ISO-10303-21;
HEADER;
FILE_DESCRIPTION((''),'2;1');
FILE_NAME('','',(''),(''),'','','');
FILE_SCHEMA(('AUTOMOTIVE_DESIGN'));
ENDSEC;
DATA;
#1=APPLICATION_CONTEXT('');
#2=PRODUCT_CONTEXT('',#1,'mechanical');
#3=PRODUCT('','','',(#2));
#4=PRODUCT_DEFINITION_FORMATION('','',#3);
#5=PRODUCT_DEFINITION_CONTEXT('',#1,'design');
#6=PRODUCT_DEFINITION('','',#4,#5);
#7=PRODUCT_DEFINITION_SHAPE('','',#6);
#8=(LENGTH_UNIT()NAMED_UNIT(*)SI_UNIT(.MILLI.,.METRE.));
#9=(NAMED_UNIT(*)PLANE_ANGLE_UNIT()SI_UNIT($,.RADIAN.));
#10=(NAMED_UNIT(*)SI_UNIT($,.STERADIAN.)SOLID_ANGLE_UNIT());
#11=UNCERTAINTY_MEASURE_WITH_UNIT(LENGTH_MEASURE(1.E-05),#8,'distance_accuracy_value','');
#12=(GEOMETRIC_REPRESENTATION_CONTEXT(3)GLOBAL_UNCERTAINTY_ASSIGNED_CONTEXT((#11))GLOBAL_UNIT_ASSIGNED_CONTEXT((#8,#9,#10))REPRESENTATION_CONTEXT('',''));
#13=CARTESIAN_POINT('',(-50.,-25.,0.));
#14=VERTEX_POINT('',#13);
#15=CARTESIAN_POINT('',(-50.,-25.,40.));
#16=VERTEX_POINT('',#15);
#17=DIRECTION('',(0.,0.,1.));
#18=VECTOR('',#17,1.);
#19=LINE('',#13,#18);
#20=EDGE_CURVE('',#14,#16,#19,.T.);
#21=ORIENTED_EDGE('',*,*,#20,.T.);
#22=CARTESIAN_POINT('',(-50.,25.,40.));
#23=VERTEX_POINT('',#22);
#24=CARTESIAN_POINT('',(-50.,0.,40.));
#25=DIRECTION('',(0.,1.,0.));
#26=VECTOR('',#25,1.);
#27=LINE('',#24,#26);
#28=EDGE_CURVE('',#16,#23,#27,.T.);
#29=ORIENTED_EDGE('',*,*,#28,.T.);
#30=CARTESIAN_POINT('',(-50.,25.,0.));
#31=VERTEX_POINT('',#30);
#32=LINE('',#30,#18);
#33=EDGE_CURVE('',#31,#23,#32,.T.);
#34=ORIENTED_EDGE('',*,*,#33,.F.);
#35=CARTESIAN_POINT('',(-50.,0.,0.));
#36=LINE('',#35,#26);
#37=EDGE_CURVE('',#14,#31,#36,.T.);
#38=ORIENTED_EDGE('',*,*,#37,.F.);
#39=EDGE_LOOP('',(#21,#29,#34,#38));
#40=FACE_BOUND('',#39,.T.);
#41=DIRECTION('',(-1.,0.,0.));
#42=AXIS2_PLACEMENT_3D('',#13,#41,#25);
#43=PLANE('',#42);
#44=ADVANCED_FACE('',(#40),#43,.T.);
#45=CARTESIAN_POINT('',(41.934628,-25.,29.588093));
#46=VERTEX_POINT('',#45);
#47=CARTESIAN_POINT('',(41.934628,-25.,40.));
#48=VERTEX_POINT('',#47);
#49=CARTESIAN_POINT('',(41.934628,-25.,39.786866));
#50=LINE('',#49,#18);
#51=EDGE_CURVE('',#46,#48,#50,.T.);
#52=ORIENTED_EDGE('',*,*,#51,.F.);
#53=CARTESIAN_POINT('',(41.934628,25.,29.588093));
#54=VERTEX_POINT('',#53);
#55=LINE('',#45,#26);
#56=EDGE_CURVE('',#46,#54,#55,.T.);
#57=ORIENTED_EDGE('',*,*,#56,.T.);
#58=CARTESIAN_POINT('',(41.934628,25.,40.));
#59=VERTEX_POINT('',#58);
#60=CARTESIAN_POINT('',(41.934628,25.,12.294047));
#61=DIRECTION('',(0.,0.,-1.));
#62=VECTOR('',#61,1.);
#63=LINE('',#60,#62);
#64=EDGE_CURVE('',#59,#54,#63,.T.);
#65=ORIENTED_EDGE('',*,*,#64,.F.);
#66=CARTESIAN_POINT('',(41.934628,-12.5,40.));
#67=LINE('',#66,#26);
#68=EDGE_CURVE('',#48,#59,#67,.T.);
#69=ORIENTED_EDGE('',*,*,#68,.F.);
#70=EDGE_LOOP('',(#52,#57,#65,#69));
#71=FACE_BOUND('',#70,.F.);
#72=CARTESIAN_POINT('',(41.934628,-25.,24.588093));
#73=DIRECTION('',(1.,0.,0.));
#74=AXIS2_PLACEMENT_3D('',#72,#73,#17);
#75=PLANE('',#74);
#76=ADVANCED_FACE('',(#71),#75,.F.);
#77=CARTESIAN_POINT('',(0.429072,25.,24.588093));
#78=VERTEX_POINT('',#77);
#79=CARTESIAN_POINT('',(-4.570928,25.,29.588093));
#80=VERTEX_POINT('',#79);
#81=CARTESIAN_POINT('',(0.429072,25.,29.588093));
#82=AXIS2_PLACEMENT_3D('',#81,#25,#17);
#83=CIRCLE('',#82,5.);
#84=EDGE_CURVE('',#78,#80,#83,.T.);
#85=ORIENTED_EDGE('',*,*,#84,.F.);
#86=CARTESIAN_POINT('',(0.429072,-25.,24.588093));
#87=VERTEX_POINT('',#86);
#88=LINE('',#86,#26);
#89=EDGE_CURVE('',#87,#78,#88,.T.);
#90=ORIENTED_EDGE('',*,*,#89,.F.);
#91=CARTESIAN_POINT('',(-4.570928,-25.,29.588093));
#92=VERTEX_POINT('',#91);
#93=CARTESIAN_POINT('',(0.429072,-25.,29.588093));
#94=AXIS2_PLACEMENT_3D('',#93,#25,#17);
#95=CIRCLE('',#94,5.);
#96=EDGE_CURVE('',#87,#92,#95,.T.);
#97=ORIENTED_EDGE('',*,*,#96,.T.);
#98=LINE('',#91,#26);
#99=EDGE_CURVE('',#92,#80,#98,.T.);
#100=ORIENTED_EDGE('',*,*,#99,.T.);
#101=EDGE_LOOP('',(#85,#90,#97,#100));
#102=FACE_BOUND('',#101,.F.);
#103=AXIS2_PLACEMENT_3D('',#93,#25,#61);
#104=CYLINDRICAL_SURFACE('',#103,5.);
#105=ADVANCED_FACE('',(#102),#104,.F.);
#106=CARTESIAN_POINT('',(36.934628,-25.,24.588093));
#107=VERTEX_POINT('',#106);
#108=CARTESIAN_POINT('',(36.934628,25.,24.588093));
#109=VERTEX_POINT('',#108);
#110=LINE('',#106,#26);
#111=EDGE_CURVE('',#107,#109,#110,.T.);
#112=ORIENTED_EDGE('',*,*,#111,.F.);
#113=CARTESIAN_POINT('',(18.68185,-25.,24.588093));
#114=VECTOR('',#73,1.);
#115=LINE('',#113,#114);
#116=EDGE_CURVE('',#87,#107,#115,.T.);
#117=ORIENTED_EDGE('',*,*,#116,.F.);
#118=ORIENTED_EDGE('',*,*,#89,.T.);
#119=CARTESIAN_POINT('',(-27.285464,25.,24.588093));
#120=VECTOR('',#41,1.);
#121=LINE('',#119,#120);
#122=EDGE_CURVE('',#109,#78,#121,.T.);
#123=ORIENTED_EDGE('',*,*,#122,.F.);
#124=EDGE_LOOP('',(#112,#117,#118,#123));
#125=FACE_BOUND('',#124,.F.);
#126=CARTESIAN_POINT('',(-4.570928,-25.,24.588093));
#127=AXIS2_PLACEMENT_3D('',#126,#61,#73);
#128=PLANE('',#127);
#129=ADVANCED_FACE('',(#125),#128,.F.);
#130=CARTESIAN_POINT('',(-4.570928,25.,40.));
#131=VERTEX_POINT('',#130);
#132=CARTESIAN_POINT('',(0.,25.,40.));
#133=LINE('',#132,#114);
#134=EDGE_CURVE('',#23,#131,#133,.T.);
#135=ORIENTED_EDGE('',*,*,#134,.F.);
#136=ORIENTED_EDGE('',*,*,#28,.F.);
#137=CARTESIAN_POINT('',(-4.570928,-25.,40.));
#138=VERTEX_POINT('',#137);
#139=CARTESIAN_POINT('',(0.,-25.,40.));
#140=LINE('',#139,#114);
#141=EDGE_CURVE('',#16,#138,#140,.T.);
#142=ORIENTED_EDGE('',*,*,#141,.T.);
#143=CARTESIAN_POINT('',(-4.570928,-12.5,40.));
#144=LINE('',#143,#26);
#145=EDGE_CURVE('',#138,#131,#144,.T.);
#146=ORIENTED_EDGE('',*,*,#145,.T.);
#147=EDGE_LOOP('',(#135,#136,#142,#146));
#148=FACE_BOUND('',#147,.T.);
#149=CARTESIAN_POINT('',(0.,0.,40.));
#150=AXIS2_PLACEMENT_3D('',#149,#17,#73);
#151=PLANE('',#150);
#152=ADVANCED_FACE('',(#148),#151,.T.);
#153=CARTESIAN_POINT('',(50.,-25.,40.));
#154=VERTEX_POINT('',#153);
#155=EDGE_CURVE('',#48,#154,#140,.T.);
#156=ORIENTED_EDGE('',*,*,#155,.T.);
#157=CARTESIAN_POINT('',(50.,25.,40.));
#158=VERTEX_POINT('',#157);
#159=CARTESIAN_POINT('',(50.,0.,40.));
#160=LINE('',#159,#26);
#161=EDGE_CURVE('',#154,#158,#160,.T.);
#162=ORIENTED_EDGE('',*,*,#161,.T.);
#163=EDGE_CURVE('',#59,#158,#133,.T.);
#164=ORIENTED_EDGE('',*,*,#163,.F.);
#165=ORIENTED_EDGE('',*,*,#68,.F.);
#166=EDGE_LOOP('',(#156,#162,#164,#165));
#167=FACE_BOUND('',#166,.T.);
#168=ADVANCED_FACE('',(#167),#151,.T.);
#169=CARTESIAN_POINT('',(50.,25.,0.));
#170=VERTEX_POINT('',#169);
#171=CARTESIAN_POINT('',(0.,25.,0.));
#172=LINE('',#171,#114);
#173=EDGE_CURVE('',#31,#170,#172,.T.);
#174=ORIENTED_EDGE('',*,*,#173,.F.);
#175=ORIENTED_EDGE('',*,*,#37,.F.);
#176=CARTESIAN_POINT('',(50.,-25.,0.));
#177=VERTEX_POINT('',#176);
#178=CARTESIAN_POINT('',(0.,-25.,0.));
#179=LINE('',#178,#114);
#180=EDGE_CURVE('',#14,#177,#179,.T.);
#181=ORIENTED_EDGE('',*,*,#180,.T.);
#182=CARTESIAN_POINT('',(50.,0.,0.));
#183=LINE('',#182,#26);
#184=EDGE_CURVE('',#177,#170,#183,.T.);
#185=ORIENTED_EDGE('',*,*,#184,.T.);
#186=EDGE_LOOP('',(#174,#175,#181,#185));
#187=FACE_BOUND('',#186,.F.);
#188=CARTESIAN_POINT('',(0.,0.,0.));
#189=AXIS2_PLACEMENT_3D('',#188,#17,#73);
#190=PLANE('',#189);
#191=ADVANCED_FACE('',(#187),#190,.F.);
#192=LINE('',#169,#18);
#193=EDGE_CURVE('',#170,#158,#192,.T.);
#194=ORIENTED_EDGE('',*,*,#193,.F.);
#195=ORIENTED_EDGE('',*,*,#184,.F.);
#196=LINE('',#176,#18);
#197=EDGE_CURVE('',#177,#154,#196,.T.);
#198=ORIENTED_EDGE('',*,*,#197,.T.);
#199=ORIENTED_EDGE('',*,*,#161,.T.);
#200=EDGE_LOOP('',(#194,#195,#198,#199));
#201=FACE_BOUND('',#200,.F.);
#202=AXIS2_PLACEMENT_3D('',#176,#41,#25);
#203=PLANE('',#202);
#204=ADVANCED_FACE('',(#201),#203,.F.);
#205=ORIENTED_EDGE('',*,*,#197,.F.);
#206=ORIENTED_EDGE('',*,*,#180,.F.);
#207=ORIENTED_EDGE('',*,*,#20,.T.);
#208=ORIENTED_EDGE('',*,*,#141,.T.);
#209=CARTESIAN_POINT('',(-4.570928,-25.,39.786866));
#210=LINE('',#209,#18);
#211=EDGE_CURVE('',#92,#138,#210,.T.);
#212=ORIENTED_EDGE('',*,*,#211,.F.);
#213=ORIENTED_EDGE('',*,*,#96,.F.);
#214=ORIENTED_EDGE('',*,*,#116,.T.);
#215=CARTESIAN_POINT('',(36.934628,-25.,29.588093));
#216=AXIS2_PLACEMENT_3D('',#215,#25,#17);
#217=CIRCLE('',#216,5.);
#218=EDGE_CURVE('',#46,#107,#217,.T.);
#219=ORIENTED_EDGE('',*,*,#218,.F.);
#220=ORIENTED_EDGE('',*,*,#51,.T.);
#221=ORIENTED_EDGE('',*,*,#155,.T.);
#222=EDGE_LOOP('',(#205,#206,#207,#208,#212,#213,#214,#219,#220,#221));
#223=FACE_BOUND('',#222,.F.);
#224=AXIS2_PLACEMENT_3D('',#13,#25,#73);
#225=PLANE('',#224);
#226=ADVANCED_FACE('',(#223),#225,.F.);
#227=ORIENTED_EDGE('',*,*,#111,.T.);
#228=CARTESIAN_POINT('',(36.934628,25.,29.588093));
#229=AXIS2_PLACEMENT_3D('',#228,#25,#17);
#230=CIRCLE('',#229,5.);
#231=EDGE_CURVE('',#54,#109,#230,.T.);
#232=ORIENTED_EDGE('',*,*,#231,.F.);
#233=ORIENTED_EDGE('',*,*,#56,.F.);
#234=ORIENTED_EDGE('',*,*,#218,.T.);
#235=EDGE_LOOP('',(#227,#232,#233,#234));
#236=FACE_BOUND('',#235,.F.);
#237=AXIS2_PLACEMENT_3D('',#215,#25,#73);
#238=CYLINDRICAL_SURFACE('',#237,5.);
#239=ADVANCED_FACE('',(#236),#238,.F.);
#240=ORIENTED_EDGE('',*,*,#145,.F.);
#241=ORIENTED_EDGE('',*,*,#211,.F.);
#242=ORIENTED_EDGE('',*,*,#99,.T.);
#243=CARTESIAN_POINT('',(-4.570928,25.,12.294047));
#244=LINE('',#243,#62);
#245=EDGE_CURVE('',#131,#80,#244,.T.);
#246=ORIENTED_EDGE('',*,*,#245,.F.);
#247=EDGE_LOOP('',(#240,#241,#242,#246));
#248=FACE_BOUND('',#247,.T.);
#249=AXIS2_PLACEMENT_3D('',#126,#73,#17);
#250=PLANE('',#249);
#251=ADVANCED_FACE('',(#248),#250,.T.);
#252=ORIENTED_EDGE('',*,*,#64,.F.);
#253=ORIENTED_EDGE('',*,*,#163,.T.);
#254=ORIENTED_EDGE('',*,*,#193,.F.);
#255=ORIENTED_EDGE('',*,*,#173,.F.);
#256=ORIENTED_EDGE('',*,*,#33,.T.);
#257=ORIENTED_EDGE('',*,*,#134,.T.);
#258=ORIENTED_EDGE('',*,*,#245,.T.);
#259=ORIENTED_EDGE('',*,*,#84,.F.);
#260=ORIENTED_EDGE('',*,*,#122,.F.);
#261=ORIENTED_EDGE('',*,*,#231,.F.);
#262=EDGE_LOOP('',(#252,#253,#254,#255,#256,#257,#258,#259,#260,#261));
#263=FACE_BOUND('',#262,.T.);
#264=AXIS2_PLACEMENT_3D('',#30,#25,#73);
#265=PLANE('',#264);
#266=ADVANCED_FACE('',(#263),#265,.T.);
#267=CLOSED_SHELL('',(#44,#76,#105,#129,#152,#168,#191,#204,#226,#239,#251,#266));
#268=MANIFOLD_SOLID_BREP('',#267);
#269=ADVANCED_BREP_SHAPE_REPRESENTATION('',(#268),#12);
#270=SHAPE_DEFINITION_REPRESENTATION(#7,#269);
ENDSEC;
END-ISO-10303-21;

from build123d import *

# Parameters (mm, degrees)
F0_W     = 100
F0_H     = 50
F1_DEPTH = 40
F2_W     = 46.505556
F2_H     = 30.397546
F3_DEPTH = 99
F4_R     = 5


with BuildPart() as f1:
    # F0 (on Top) → F1 (new body)
    with BuildSketch(Plane.XY):
        Rectangle(F0_W, F0_H)
    extrude(amount=F1_DEPTH)

    # F2 (on face) → F3 (cut)
    with BuildSketch(Plane.XZ.offset(25)):
        with Locations((18.68185, 39.786866)):
            Rectangle(F2_W, F2_H)
    extrude(amount=-F3_DEPTH, mode=Mode.SUBTRACT)

    # F4
    f4_edges = [f1.edges().sort_by_distance(p)[0] for p in [
        (-4.570928, 0, 24.588093),
        (41.934628, 0, 24.588093),
    ]]
    fillet(f4_edges, radius=F4_R)


solid = f1.part
